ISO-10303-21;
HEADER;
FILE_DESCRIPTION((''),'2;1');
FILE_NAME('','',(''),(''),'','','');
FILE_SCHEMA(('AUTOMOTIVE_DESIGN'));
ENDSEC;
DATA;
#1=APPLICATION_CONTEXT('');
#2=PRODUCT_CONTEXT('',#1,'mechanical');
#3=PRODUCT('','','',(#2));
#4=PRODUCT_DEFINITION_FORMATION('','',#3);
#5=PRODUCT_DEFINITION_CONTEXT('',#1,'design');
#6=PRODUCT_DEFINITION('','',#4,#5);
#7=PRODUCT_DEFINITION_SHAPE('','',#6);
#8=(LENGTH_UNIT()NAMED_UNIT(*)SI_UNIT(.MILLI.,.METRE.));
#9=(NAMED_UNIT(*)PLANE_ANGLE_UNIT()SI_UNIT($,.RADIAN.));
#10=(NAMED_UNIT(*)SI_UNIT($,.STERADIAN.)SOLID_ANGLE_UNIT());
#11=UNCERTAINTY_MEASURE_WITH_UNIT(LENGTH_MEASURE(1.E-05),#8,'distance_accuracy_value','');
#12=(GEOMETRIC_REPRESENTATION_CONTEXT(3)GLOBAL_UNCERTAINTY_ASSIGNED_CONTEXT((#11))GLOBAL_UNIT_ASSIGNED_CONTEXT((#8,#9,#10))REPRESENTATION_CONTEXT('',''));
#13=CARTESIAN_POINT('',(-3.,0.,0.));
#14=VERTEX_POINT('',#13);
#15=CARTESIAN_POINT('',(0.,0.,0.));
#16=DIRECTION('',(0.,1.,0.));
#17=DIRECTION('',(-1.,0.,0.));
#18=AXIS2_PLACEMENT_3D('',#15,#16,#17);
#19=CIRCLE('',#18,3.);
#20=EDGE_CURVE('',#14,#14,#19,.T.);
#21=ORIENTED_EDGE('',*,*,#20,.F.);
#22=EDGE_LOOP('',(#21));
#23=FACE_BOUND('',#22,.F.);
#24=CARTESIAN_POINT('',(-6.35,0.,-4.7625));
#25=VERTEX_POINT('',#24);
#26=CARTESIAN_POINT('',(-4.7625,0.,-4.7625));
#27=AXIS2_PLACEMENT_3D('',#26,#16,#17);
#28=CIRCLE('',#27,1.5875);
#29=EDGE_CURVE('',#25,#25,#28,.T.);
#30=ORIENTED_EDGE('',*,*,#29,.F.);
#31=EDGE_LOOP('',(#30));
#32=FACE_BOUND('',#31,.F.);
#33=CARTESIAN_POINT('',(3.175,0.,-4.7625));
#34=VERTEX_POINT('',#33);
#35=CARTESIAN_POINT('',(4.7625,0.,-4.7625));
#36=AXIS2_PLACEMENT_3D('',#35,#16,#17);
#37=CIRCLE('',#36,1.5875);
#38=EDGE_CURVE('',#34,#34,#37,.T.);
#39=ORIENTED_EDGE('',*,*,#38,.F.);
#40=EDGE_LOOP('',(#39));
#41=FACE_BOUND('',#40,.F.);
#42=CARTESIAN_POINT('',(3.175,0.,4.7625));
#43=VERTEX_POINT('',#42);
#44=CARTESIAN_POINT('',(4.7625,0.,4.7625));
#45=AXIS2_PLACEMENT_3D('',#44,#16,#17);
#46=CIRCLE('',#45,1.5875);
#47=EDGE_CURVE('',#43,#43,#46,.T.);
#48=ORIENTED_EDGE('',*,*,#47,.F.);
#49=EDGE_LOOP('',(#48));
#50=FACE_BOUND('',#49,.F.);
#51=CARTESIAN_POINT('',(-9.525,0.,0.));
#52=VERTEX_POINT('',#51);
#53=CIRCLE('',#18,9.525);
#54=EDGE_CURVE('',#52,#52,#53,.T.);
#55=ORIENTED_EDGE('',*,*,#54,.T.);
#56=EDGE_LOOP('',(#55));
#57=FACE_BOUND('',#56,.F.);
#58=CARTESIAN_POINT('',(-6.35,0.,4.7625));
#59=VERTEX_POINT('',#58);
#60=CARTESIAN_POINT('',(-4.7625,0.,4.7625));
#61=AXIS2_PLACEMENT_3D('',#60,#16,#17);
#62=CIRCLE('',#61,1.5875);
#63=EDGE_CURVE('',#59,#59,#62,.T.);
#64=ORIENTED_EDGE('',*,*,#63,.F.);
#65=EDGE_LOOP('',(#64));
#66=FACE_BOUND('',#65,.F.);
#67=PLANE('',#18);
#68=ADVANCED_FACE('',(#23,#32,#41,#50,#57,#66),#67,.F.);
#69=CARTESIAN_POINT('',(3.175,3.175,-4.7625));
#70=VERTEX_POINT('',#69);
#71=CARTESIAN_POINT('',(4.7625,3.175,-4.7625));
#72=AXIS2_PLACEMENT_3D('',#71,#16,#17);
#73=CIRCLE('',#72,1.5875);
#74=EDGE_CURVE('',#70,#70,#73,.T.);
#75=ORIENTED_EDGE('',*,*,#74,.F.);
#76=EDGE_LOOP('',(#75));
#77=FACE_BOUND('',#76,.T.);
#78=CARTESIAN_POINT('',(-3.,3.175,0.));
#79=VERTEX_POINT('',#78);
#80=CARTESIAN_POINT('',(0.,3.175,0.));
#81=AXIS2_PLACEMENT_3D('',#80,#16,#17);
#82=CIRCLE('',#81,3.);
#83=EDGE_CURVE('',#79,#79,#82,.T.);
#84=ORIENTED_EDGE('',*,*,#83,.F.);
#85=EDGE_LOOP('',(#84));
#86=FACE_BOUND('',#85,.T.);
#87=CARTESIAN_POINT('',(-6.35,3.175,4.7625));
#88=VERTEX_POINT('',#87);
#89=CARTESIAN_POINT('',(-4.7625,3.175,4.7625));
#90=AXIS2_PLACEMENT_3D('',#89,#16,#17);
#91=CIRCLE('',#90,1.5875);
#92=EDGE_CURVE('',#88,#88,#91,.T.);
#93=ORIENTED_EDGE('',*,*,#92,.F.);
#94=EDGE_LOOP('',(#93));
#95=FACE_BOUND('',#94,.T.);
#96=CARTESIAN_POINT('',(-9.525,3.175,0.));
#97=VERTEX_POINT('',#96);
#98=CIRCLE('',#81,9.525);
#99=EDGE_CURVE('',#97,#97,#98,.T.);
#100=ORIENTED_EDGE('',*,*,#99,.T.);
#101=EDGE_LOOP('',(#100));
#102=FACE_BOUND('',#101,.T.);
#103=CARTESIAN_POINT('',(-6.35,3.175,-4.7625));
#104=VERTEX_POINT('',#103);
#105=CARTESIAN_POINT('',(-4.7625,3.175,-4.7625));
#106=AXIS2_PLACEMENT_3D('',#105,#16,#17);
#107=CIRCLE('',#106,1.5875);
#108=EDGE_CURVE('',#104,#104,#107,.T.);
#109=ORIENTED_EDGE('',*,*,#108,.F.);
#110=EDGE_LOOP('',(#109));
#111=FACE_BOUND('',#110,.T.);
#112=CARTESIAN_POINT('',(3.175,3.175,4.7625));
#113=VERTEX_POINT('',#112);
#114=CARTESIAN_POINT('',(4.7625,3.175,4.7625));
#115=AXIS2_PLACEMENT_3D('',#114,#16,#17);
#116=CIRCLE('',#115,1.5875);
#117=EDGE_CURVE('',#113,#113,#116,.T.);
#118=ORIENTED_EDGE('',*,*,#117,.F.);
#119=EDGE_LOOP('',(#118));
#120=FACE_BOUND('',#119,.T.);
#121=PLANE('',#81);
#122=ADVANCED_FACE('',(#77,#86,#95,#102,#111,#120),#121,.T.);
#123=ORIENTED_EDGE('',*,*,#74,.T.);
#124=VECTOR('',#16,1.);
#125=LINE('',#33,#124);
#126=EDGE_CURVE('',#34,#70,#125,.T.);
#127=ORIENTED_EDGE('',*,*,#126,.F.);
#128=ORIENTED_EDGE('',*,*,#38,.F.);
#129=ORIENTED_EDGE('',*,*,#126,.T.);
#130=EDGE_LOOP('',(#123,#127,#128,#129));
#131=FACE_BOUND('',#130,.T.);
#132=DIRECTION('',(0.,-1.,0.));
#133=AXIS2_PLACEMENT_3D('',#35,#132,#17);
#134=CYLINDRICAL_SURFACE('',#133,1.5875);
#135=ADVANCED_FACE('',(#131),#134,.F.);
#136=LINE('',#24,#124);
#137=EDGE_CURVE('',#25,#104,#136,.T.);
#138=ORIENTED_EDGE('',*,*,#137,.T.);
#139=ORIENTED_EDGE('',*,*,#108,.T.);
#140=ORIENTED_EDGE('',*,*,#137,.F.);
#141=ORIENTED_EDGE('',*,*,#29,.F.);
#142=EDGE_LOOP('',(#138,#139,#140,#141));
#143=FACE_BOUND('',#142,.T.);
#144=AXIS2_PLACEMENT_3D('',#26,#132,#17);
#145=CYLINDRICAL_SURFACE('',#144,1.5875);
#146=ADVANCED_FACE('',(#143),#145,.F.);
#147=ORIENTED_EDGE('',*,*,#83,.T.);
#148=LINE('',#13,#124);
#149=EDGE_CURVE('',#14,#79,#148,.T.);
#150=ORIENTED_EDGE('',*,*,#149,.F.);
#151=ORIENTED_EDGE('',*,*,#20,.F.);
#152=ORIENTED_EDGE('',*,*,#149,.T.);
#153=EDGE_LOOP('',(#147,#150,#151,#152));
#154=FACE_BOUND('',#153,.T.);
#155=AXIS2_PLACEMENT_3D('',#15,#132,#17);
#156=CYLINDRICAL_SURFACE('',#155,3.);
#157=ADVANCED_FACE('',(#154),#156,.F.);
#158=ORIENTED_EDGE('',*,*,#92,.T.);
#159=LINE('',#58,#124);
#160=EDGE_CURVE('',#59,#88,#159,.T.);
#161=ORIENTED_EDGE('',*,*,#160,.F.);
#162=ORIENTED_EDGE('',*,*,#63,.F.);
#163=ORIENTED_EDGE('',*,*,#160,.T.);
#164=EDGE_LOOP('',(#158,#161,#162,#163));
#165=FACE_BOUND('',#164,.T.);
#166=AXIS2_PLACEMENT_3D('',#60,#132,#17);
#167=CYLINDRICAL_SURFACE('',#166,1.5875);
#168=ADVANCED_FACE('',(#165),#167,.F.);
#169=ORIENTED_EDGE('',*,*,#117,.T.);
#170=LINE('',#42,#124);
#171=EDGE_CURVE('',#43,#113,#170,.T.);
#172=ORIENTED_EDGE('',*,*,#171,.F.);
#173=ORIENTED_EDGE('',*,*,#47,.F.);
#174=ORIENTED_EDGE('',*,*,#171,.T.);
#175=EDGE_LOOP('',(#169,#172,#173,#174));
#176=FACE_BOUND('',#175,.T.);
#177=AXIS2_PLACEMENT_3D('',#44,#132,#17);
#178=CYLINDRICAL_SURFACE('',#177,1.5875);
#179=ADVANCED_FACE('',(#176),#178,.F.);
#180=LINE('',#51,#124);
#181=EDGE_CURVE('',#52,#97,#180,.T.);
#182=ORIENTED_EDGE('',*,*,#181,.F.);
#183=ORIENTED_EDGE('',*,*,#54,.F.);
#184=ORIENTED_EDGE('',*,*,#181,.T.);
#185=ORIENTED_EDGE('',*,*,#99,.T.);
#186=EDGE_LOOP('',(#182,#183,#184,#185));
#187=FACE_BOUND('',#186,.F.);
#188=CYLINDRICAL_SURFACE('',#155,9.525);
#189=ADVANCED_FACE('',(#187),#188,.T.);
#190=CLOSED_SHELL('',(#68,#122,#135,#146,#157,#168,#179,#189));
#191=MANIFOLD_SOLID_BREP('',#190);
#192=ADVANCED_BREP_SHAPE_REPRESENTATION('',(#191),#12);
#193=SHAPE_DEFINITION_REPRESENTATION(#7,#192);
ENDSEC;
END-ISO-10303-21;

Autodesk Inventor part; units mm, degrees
ref_plane "YZ Plane" through (0, 0, 0) normal (1, 0, 0) x (0, 1, 0)
ref_plane "XZ Plane" through (0, 0, 0) normal (0, 1, 0) x (-1, 0, 0)
ref_plane "XY Plane" through (0, 0, 0) normal (0, 0, 1) x (1, 0, 0)
sketch "Sketch1" plane through (0, 0, 0) normal (0, 1, 0) x (-1, 0, 0)
  circle A0 centre (0, 0) radius 9.525
  circle A1 centre (0, 0) radius 3
  circle A2 centre (4.7625, 4.7625) radius 1.5875
  circle A3 centre (-4.7625, 4.7625) radius 1.5875
  circle A4 centre (-4.7625, -4.7625) radius 1.5875
  circle A5 centre (4.7625, -4.7625) radius 1.5875
  dimension "d0" = 19.05
  dimension "d1" = 3.175
  dimension "d4" = 360
  dimension "d6" = 6
extrude "Extrusion1" add sketch "Sketch1" along normal blind 3.175
properties part number "Flip up and down (motor to shaft ring)"
